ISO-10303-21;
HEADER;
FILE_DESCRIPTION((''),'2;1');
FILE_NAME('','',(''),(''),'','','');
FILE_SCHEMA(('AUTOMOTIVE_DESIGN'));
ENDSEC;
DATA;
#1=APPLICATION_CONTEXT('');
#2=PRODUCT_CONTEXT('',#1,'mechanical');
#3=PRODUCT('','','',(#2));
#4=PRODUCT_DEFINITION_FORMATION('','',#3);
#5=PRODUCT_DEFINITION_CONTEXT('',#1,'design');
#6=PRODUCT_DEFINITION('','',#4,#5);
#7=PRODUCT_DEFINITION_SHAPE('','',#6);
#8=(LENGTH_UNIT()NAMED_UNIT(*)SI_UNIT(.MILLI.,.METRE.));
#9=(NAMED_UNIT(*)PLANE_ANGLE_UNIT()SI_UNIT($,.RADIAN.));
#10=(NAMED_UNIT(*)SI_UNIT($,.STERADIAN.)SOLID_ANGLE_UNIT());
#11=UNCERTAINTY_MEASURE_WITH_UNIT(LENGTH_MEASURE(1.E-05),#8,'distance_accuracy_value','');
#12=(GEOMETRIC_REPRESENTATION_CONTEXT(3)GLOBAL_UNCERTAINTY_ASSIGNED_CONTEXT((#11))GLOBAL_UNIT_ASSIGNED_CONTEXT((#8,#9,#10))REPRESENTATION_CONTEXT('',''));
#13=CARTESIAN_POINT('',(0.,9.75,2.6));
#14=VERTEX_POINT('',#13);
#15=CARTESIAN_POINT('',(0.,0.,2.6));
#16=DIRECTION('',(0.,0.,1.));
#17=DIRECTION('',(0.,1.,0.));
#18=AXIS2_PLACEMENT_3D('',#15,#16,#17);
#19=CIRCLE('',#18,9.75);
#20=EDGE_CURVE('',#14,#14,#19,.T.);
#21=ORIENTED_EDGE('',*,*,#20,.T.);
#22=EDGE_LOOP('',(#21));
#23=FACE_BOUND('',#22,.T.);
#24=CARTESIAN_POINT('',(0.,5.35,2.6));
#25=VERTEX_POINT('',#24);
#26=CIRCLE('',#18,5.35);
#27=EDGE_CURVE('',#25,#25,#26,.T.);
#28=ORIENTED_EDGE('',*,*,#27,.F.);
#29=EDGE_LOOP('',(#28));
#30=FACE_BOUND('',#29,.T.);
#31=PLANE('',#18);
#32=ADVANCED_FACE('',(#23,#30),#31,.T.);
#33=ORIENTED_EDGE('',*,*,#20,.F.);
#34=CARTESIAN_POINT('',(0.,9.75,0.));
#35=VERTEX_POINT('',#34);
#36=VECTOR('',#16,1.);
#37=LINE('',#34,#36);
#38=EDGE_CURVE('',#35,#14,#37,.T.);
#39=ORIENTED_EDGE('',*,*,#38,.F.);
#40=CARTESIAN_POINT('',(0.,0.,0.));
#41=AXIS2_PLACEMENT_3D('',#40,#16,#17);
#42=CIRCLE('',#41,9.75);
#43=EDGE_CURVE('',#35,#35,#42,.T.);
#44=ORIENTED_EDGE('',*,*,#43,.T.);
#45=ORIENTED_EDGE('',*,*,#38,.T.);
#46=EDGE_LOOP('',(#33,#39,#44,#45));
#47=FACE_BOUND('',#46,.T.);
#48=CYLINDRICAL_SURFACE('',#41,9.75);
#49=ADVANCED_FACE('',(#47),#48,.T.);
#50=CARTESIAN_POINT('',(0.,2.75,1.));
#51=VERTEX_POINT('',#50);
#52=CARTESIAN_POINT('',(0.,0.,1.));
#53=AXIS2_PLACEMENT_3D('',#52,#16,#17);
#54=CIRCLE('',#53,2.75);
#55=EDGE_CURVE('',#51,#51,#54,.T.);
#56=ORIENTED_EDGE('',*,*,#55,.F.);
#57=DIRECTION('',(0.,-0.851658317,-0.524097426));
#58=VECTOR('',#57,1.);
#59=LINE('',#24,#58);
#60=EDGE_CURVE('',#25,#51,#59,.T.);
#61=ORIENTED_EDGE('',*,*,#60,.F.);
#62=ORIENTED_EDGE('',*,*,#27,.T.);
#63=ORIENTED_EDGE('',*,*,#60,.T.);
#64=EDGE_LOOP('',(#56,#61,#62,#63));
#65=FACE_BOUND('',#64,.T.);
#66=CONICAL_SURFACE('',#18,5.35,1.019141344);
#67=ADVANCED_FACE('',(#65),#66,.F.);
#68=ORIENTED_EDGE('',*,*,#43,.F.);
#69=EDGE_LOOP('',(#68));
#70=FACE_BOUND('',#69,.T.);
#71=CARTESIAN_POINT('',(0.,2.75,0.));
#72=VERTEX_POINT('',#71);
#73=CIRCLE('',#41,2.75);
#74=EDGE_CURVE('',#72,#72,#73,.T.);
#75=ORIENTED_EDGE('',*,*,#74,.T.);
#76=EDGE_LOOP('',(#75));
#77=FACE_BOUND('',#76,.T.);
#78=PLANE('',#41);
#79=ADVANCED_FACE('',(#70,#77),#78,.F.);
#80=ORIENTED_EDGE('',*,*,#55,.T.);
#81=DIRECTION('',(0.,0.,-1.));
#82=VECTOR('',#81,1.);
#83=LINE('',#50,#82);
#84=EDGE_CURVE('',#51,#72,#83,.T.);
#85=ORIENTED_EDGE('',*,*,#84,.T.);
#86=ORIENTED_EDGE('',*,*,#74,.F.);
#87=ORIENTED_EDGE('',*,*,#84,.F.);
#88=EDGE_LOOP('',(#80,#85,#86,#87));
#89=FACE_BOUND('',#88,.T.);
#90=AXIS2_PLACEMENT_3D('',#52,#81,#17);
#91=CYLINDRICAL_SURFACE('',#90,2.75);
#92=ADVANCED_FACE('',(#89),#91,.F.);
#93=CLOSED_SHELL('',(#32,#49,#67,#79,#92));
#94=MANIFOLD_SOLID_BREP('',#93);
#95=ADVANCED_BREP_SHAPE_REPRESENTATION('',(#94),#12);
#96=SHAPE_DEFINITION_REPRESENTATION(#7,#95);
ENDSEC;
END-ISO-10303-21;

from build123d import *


with BuildPart() as part:
    # Sketch → Revolution (revolve)
    with BuildSketch(Plane.YZ):
        Polygon((2.75, 0), (9.75, 0), (9.75, 2.6), (5.35, 2.6), (2.75, 1), align=None)
    revolve(axis=Axis((0, 0, 0), (0, 0, 1)))


solid = part.part
